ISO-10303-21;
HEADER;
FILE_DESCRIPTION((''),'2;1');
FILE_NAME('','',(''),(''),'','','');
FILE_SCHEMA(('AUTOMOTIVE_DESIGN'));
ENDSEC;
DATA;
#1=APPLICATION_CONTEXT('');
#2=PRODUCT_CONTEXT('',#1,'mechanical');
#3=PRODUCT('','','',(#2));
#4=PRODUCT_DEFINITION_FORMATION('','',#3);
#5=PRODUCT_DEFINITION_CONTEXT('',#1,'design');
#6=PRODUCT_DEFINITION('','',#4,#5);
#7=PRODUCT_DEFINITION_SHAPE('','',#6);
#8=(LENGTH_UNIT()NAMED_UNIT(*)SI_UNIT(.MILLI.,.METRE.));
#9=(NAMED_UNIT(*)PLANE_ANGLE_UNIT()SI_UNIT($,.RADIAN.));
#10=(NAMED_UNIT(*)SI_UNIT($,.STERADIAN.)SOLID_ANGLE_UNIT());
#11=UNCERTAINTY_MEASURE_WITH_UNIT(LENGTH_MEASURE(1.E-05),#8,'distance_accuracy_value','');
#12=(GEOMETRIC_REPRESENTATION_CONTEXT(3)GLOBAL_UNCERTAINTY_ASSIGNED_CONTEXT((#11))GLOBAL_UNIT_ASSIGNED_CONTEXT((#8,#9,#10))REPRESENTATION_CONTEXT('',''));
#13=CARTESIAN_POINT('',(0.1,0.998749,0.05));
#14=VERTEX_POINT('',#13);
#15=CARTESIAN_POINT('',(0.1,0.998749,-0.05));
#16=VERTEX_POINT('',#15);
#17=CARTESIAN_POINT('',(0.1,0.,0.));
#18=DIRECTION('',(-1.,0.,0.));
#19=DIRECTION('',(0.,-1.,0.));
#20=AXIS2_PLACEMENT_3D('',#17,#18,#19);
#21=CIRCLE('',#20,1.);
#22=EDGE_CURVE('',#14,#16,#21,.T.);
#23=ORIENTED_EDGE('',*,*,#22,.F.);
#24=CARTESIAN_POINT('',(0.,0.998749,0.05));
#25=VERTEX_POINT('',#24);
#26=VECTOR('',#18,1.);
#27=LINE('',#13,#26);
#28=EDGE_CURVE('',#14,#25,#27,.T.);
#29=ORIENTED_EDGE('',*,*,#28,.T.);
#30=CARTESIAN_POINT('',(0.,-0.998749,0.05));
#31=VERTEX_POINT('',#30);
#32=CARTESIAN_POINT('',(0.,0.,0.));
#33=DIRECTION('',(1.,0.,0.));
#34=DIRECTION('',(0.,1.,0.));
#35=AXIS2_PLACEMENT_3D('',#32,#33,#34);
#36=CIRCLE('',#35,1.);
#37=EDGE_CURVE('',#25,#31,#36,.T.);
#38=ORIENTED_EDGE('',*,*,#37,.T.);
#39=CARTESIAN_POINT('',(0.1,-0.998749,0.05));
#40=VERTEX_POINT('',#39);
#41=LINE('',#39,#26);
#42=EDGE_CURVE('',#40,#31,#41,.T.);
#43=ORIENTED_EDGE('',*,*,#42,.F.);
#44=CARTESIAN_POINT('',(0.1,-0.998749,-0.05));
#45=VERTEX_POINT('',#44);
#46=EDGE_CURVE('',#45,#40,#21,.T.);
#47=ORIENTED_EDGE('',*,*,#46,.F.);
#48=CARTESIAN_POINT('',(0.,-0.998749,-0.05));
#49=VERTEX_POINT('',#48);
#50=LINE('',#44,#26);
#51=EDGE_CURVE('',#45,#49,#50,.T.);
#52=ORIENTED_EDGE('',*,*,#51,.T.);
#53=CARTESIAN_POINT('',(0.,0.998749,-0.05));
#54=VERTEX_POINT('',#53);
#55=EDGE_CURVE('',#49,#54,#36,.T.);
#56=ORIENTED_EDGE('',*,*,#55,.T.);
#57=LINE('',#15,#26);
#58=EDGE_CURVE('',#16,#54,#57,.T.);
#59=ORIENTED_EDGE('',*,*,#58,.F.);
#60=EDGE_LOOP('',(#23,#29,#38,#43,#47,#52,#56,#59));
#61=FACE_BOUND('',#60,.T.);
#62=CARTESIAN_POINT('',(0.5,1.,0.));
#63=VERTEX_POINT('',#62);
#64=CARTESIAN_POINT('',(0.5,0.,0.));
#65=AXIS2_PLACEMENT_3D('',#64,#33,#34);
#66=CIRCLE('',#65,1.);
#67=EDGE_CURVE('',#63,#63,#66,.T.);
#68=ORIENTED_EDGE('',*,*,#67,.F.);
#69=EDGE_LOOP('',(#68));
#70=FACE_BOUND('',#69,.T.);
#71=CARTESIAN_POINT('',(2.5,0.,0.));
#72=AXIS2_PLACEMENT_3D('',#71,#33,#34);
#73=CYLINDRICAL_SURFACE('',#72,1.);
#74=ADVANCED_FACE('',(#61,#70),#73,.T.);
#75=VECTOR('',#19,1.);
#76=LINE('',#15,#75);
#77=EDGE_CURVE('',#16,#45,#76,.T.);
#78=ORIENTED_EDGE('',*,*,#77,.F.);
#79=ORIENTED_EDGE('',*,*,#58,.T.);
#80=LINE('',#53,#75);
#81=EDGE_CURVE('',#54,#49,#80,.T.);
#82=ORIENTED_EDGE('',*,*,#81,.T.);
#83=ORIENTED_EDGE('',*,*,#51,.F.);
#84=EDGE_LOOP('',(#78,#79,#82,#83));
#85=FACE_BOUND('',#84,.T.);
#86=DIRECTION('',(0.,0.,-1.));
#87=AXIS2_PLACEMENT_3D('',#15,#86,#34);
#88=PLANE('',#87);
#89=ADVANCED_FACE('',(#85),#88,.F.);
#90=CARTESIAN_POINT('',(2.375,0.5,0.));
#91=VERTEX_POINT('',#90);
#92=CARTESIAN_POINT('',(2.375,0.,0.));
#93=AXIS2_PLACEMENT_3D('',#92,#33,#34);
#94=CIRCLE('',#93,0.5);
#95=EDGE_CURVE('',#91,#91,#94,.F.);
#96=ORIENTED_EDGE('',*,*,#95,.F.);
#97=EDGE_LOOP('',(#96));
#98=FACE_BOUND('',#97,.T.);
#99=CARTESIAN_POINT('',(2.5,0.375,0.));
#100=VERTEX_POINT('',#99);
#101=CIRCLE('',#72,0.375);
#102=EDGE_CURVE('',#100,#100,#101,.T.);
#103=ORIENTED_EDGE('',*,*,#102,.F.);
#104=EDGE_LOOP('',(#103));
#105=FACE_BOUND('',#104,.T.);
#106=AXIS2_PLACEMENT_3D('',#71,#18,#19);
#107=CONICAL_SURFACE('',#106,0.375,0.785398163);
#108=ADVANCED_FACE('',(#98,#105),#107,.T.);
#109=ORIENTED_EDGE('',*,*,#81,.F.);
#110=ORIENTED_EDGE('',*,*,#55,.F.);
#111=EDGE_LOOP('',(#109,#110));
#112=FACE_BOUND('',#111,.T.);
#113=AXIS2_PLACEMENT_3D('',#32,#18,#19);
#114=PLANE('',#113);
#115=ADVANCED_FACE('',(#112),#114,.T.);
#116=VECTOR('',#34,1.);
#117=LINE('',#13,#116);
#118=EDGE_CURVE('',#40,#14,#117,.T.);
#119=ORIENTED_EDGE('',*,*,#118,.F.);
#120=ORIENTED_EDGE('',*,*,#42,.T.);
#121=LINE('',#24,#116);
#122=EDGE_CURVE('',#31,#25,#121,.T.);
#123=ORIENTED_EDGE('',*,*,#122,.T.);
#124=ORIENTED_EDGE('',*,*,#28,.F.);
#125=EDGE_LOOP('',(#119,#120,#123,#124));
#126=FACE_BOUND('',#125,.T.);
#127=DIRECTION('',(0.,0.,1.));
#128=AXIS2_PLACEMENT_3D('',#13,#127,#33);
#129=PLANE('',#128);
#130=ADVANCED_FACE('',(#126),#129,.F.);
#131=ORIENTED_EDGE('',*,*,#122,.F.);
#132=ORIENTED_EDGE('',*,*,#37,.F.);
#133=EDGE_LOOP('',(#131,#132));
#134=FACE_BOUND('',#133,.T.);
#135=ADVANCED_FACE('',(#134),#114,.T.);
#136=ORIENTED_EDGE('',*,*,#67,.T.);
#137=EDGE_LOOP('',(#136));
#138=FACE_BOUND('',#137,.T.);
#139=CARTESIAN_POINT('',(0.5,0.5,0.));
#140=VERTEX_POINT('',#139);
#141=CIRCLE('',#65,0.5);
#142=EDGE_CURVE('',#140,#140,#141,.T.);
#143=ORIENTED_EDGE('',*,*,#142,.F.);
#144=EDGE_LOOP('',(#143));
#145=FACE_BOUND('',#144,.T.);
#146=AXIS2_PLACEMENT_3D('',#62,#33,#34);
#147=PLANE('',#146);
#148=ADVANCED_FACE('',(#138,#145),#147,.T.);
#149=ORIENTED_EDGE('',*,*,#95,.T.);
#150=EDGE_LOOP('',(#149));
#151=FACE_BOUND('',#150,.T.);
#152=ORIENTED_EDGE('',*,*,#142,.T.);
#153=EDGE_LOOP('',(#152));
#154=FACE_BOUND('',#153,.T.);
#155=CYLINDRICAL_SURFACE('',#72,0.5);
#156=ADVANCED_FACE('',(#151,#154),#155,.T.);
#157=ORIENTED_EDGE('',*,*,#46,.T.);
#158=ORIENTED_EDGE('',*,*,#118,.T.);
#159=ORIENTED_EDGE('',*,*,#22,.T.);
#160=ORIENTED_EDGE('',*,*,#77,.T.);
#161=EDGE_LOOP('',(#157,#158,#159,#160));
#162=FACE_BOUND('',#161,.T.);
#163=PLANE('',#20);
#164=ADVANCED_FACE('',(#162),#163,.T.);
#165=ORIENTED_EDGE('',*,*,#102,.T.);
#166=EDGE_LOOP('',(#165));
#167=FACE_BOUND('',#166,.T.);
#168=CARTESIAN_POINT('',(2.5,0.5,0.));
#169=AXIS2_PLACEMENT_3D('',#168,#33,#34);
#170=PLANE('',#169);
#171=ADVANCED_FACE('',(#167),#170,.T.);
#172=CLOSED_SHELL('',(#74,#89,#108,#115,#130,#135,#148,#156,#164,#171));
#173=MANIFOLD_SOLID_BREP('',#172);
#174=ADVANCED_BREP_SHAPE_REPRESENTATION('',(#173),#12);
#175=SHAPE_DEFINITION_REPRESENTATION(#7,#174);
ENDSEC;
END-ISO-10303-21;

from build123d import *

# Parameters (mm, degrees)
CHAFL_N1_SIZE         = 0.125
CORTAR_EXTRUIR1_DEPTH = 0.1


with BuildPart() as part:
    # Croquis1 → Revolución1 (revolve)
    with BuildSketch(Plane.XY):
        Polygon((0, 0), (0, 1), (0.5, 1), (0.5, 0.5), (2.5, 0.5), (2.5, 0), align=None)
    revolve(axis=Axis((2.5, 0, 0), (-1, 0, 0)))

    # Chaflán1
    chafl_n1_edges = [part.edges().sort_by_distance(p)[0] for p in [
        (2.5, -0.5, 0),
    ]]
    chamfer(chafl_n1_edges, length=CHAFL_N1_SIZE)

    # Croquis5 → Cortar-Extruir1 (cut)
    with BuildSketch(Plane.ZY):
        with BuildLine():
            Line((-0.05, 0.998749218), (-0.05, -0.998749218))
            ThreePointArc((-0.05, -0.998749218), (0, -1), (0.05, -0.998749218))
            Line((0.05, -0.998749218), (0.05, 0.998749218))
            ThreePointArc((0.05, 0.998749218), (0, 1), (-0.05, 0.998749218))
        make_face()
    extrude(amount=-CORTAR_EXTRUIR1_DEPTH, mode=Mode.SUBTRACT)


solid = part.part
